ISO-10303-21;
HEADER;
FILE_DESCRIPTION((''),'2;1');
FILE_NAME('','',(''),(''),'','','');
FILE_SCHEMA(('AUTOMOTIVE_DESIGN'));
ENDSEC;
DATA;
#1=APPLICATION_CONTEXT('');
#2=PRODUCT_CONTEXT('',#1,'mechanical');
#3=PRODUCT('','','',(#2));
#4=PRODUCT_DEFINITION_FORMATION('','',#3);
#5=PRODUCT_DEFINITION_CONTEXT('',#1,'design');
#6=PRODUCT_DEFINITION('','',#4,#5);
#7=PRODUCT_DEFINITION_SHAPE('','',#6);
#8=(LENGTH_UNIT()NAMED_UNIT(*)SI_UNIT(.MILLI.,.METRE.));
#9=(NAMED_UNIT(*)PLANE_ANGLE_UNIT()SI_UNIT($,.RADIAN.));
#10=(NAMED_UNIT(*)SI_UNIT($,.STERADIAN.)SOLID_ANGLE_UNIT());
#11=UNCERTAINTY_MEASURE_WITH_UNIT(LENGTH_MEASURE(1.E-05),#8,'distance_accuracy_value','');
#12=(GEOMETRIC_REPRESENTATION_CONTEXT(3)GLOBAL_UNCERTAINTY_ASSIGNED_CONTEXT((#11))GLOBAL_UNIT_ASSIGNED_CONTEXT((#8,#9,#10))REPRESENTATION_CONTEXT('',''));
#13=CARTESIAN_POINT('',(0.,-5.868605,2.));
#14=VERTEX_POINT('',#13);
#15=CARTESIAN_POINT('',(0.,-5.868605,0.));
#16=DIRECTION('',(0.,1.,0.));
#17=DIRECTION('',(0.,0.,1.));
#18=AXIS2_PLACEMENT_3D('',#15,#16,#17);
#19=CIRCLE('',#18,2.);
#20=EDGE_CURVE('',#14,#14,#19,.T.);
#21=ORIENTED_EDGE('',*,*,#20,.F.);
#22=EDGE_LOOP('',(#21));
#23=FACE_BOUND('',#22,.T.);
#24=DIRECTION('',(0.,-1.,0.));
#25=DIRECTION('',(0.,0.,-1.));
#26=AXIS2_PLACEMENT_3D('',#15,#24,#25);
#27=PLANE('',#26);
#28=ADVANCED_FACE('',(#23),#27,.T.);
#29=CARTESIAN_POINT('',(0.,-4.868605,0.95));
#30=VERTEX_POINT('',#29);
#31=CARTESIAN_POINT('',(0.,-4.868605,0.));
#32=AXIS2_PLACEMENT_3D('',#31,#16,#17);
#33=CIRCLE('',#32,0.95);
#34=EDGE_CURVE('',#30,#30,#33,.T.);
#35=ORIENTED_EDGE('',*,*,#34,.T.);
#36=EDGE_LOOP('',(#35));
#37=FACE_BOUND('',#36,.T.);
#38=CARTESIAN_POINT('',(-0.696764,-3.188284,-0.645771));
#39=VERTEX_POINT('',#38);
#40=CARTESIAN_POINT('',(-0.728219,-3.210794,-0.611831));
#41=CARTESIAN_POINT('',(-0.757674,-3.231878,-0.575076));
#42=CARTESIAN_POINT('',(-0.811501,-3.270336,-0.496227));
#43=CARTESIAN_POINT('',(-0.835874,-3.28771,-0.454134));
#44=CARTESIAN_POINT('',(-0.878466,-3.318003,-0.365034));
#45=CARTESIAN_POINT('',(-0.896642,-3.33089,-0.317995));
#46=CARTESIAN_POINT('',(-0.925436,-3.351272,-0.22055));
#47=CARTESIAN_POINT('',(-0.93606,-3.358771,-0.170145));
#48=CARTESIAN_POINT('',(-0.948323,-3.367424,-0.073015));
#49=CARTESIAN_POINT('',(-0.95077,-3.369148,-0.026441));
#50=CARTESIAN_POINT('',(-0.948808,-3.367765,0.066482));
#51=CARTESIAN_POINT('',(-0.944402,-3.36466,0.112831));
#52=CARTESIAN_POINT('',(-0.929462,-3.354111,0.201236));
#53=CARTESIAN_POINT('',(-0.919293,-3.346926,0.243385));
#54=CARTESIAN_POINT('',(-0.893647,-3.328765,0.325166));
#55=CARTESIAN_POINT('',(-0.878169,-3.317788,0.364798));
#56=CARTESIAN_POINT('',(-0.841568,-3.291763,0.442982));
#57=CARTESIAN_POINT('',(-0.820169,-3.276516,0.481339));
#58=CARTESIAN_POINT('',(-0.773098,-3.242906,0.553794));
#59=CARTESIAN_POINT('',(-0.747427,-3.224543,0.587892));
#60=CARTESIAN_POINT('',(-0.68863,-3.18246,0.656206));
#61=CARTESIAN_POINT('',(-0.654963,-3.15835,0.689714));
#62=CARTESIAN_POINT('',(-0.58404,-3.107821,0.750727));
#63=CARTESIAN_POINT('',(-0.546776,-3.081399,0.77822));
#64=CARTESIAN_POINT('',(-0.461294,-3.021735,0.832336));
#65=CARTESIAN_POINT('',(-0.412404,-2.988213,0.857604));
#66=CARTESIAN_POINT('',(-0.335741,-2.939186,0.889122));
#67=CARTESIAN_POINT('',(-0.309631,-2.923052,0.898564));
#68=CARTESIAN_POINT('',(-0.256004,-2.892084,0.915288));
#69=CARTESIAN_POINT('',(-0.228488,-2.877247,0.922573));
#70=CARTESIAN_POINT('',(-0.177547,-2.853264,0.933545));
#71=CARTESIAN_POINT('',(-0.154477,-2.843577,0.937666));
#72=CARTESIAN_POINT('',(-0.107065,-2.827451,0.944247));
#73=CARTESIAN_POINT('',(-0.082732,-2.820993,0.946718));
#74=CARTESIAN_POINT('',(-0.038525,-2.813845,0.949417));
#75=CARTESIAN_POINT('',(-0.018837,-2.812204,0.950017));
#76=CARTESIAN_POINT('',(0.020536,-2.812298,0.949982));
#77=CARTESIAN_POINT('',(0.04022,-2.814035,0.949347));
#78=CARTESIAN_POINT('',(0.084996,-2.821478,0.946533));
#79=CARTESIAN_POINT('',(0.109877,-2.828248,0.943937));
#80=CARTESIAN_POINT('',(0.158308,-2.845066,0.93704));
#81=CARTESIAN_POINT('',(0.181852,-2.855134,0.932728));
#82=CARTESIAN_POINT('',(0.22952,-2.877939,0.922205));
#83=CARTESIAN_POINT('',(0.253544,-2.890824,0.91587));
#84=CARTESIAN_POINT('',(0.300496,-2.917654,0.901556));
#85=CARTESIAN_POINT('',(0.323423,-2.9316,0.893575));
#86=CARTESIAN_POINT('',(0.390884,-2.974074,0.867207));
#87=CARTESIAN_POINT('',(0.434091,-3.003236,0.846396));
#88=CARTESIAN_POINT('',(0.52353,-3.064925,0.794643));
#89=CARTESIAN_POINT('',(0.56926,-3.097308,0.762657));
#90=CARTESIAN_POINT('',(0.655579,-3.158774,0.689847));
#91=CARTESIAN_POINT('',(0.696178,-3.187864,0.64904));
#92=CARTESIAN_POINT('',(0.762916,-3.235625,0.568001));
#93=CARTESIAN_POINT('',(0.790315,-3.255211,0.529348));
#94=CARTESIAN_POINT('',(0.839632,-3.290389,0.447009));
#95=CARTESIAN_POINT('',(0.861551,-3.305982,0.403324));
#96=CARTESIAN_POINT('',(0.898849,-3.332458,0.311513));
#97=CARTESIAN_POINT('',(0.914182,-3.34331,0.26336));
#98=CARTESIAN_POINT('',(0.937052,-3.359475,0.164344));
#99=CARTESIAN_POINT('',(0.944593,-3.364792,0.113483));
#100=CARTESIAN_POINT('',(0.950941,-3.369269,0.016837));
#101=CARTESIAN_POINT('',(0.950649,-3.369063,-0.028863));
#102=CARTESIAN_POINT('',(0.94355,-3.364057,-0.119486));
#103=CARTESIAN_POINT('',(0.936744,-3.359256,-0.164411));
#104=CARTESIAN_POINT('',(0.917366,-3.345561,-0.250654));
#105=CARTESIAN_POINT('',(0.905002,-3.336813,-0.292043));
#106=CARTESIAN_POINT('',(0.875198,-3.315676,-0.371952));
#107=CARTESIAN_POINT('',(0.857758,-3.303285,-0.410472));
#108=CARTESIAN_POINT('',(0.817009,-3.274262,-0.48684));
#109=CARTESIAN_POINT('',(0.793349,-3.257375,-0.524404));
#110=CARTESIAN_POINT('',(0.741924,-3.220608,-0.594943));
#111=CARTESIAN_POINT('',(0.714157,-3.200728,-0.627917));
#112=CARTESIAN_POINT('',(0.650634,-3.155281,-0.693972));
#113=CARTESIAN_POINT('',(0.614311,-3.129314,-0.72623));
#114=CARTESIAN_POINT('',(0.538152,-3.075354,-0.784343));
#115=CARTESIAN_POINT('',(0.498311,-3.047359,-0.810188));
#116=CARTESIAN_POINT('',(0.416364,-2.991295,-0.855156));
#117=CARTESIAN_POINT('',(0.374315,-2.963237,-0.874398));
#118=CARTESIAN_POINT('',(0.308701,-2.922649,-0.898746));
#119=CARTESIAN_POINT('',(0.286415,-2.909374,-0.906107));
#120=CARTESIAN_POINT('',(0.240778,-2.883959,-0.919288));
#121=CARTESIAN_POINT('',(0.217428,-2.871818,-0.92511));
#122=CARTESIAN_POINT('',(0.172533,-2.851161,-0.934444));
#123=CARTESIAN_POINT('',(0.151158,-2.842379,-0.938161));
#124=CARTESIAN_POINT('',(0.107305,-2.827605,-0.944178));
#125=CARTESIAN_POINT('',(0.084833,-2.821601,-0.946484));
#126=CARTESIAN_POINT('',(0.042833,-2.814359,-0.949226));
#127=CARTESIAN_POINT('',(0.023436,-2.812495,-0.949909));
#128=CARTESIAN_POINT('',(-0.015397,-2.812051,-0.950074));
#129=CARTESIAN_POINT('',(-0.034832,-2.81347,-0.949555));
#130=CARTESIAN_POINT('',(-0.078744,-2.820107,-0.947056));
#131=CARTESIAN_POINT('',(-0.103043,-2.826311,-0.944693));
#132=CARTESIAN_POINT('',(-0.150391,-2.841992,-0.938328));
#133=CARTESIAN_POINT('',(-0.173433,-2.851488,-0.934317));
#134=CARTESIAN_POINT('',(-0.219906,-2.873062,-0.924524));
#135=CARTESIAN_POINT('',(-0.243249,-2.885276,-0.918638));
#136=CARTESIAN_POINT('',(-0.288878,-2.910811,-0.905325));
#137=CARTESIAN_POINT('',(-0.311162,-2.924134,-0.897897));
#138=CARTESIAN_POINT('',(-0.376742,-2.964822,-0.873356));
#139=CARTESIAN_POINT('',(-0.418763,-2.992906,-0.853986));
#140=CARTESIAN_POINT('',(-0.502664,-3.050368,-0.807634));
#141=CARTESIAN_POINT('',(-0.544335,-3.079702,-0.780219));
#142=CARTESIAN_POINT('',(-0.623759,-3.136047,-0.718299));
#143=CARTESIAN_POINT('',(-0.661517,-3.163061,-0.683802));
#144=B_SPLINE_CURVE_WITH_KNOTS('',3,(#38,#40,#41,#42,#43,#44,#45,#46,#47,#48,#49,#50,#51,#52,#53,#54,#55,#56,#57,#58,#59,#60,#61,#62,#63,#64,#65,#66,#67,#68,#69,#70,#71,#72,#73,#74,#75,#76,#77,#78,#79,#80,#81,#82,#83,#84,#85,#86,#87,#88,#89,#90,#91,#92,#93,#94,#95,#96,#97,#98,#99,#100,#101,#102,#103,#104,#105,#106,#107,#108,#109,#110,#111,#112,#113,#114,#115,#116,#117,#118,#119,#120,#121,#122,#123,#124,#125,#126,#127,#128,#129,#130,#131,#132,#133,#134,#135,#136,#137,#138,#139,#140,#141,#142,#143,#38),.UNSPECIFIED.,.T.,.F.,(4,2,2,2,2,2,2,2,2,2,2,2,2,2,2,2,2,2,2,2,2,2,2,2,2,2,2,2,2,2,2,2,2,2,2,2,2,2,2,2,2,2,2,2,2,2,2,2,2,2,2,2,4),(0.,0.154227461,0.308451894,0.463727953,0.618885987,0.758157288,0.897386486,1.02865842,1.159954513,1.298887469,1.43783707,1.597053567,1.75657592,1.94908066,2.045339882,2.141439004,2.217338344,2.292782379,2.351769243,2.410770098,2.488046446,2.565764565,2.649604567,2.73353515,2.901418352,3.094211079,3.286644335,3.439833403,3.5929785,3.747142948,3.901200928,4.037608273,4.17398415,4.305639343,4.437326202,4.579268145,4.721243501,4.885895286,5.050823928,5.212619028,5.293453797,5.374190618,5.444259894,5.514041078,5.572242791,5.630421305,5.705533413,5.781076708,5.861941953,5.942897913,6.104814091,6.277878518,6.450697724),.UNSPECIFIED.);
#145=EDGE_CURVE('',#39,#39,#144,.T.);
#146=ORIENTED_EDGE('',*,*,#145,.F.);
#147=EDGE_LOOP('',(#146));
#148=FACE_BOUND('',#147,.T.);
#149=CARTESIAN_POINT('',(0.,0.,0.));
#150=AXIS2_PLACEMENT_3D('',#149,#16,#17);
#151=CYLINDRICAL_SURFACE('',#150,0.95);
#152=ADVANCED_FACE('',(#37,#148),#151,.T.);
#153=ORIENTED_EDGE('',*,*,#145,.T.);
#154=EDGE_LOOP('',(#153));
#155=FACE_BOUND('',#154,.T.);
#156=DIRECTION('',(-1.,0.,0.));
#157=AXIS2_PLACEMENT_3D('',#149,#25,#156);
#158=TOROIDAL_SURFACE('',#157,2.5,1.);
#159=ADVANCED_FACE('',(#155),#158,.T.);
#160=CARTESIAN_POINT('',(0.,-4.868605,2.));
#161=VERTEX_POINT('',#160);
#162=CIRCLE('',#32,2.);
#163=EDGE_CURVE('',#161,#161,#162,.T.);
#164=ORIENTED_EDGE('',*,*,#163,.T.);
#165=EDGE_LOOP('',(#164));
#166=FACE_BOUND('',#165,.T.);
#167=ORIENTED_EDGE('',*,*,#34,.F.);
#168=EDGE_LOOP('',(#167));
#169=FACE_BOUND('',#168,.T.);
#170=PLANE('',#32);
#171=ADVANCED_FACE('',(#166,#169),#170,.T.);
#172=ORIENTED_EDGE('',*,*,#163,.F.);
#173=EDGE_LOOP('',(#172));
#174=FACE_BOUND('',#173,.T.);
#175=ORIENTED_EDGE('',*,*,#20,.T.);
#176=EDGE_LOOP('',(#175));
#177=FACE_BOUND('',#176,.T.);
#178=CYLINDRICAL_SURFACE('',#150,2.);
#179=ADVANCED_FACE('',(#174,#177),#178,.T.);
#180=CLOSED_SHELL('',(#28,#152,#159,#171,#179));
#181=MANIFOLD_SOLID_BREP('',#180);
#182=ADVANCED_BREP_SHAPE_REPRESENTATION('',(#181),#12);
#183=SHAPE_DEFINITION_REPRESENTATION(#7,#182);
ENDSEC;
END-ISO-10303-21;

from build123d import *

# Parameters (mm, degrees)
SKETCH_1_R = 1


with BuildPart() as part:
    # 草图1 → 旋转1 (revolve)
    with BuildSketch(Plane(origin=(0, 0, 0), x_dir=(1, 0, 0), z_dir=(0, 1, 0))):
        with Locations((2.5, 0)):
            Circle(SKETCH_1_R)
    revolve(axis=Axis((0, 0, 0), (0, 0, 1)))

    # 草图2 → 旋转2 (revolve)
    with BuildSketch(Plane.XY):
        Polygon((0, -5.868605053), (0, -2.568605053), (0.95, -2.568605053), (0.95, -4.868605053), (2, -4.868605053), (2, -5.868605053), align=None)
    revolve(axis=Axis((0, 0, 0), (0, -1, 0)))


solid = part.part
